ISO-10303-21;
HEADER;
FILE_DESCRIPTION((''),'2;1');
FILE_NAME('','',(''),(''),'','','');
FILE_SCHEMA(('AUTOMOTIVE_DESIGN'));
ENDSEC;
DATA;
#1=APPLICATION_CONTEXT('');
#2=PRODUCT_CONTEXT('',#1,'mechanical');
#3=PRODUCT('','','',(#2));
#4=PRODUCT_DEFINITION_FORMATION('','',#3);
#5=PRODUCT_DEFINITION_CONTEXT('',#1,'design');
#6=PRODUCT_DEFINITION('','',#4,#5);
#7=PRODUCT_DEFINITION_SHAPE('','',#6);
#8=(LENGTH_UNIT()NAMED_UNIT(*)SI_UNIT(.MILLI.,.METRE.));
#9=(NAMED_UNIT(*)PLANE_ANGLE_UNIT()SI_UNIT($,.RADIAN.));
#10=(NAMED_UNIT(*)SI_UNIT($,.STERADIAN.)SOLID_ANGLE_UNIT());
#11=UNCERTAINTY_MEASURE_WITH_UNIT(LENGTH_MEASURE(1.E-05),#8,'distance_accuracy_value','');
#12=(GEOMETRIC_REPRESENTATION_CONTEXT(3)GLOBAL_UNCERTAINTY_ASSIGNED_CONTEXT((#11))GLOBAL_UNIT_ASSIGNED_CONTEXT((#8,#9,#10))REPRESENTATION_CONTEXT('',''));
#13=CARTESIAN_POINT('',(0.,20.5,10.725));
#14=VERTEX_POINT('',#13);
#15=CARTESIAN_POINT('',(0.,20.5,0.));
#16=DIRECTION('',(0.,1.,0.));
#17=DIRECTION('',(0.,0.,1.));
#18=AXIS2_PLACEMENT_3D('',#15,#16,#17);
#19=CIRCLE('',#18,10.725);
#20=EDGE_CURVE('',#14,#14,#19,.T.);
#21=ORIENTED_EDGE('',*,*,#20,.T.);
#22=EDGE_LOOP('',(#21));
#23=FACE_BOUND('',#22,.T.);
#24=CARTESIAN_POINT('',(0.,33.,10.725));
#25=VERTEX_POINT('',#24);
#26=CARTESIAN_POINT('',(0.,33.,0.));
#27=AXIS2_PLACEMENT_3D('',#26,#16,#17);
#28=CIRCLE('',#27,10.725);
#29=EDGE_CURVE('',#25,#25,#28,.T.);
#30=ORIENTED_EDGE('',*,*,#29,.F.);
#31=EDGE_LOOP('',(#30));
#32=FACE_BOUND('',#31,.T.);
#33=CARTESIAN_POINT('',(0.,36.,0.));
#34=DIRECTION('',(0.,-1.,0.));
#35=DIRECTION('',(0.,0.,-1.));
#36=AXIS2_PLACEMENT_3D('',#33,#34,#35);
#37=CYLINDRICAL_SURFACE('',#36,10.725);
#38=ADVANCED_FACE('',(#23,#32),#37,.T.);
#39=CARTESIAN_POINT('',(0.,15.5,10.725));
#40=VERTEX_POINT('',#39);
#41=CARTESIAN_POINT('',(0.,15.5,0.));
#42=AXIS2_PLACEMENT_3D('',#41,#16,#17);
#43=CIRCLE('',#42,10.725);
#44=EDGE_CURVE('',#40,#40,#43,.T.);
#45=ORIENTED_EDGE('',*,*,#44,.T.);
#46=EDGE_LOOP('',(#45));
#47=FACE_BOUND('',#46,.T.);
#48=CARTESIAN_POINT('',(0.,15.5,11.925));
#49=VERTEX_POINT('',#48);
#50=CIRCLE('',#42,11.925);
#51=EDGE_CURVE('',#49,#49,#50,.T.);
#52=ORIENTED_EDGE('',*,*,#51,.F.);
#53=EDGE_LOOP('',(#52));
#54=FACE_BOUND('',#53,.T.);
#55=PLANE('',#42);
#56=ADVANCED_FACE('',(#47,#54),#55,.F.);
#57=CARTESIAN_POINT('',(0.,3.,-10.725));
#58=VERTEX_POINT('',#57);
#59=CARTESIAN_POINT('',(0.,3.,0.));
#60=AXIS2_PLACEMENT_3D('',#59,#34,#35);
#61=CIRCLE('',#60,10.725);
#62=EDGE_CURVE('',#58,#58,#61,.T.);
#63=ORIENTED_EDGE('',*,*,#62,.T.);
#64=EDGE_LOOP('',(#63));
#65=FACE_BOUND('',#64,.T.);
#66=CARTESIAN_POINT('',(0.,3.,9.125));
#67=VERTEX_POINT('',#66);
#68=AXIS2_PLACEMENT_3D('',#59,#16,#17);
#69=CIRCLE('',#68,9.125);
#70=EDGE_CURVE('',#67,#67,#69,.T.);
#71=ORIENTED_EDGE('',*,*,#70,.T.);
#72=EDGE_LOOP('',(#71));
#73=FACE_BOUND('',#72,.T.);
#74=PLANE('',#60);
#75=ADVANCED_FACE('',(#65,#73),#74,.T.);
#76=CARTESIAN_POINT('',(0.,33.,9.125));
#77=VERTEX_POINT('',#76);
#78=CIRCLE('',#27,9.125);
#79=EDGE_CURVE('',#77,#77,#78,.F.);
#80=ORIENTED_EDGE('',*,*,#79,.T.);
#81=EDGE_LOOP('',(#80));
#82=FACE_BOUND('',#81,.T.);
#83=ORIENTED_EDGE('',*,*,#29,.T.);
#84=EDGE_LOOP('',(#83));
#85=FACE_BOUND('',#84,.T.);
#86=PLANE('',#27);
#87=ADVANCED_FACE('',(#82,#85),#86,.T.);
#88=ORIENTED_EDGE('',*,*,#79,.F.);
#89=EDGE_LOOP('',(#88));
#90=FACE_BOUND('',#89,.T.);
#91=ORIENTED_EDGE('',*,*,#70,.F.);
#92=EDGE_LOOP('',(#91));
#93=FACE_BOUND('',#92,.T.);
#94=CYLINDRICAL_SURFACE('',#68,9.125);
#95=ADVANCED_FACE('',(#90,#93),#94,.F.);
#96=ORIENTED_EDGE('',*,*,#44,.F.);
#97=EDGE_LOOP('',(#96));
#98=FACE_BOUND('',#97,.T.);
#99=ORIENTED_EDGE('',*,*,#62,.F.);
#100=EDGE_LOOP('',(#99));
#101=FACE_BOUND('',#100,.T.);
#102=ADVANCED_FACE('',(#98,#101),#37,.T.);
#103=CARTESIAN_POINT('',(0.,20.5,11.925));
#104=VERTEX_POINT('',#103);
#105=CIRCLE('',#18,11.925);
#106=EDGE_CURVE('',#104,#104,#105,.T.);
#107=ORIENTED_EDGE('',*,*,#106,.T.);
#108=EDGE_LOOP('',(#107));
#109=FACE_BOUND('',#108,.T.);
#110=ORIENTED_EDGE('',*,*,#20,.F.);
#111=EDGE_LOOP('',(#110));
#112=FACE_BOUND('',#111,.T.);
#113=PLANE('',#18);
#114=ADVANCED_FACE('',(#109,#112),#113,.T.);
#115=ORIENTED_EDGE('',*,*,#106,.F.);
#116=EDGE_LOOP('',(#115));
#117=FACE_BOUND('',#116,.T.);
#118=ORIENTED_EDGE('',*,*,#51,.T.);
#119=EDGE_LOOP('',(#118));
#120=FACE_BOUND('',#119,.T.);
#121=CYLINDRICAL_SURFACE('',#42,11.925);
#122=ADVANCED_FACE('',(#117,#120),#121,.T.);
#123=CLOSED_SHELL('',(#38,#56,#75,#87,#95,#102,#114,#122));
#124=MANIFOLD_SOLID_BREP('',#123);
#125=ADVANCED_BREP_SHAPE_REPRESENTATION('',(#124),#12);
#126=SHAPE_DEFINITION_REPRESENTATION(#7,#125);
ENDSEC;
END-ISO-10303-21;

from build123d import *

# Parameters (mm, degrees)
SKETCH1_R                = 10.725
BOSS_EXTRUDE1_DEPTH      = 36
BOSS_EXTRUDE2_DEPTH      = 2.5
BOSS_EXTRUDE2_DEPTH_BACK = 2.5
SKETCH2_R                = 11.925
SKETCH3_R                = 9.125
CUT_EXTRUDE1_DEPTH       = 33
CUT_EXTRUDE2_START       = -3
SKETCH4_R                = 10.725
CUT_EXTRUDE2_DEPTH       = 3
SKETCH5_R                = 10.725
CUT_EXTRUDE3_DEPTH       = 3


with BuildPart() as part:
    # Sketch1 → Boss-Extrude1 (new body)
    with BuildSketch(Plane(origin=(0, 0, 0), x_dir=(1, 0, 0), z_dir=(0, 1, 0))):
        with Locations(Location((0, 0, 0), (0, 0, 270))):
            Circle(SKETCH1_R)
    extrude(amount=BOSS_EXTRUDE1_DEPTH)

    # Sketch2 → Boss-Extrude2 (add, two sides: drawn at the far end of the back side and taken through both)
    with BuildSketch(Plane(origin=(0, 18, 0), x_dir=(1, 0, 0), z_dir=(0, 1, 0)).offset(-BOSS_EXTRUDE2_DEPTH_BACK)):
        with Locations(Location((0, 0, 0), (0, 0, 270))):
            Circle(SKETCH2_R)
    extrude(amount=BOSS_EXTRUDE2_DEPTH + BOSS_EXTRUDE2_DEPTH_BACK)

    # Sketch3 → Cut-Extrude1 (cut)
    with BuildSketch(Plane(origin=(0, 36, 0), x_dir=(1, 0, 0), z_dir=(0, 1, 0))):
        with Locations(Location((0, 0, 0), (0, 0, 270))):
            Circle(SKETCH3_R)
    extrude(amount=-CUT_EXTRUDE1_DEPTH, mode=Mode.SUBTRACT)

    # Sketch4 → Cut-Extrude2 (cut)
    with BuildSketch(Plane(origin=(0, 36, 0), x_dir=(1, 0, 0), z_dir=(0, 1, 0)).offset(CUT_EXTRUDE2_START)):
        with Locations(Location((0, 0, 0), (0, 0, 270))):
            Circle(SKETCH4_R)
    extrude(amount=CUT_EXTRUDE2_DEPTH, mode=Mode.SUBTRACT)

    # Sketch5 → Cut-Extrude3 (cut)
    with BuildSketch(Plane.XZ):
        with Locations(Location((0, 0, 0), (0, 0, 270))):
            Circle(SKETCH5_R)
    extrude(amount=-CUT_EXTRUDE3_DEPTH, mode=Mode.SUBTRACT)


solid = part.part
